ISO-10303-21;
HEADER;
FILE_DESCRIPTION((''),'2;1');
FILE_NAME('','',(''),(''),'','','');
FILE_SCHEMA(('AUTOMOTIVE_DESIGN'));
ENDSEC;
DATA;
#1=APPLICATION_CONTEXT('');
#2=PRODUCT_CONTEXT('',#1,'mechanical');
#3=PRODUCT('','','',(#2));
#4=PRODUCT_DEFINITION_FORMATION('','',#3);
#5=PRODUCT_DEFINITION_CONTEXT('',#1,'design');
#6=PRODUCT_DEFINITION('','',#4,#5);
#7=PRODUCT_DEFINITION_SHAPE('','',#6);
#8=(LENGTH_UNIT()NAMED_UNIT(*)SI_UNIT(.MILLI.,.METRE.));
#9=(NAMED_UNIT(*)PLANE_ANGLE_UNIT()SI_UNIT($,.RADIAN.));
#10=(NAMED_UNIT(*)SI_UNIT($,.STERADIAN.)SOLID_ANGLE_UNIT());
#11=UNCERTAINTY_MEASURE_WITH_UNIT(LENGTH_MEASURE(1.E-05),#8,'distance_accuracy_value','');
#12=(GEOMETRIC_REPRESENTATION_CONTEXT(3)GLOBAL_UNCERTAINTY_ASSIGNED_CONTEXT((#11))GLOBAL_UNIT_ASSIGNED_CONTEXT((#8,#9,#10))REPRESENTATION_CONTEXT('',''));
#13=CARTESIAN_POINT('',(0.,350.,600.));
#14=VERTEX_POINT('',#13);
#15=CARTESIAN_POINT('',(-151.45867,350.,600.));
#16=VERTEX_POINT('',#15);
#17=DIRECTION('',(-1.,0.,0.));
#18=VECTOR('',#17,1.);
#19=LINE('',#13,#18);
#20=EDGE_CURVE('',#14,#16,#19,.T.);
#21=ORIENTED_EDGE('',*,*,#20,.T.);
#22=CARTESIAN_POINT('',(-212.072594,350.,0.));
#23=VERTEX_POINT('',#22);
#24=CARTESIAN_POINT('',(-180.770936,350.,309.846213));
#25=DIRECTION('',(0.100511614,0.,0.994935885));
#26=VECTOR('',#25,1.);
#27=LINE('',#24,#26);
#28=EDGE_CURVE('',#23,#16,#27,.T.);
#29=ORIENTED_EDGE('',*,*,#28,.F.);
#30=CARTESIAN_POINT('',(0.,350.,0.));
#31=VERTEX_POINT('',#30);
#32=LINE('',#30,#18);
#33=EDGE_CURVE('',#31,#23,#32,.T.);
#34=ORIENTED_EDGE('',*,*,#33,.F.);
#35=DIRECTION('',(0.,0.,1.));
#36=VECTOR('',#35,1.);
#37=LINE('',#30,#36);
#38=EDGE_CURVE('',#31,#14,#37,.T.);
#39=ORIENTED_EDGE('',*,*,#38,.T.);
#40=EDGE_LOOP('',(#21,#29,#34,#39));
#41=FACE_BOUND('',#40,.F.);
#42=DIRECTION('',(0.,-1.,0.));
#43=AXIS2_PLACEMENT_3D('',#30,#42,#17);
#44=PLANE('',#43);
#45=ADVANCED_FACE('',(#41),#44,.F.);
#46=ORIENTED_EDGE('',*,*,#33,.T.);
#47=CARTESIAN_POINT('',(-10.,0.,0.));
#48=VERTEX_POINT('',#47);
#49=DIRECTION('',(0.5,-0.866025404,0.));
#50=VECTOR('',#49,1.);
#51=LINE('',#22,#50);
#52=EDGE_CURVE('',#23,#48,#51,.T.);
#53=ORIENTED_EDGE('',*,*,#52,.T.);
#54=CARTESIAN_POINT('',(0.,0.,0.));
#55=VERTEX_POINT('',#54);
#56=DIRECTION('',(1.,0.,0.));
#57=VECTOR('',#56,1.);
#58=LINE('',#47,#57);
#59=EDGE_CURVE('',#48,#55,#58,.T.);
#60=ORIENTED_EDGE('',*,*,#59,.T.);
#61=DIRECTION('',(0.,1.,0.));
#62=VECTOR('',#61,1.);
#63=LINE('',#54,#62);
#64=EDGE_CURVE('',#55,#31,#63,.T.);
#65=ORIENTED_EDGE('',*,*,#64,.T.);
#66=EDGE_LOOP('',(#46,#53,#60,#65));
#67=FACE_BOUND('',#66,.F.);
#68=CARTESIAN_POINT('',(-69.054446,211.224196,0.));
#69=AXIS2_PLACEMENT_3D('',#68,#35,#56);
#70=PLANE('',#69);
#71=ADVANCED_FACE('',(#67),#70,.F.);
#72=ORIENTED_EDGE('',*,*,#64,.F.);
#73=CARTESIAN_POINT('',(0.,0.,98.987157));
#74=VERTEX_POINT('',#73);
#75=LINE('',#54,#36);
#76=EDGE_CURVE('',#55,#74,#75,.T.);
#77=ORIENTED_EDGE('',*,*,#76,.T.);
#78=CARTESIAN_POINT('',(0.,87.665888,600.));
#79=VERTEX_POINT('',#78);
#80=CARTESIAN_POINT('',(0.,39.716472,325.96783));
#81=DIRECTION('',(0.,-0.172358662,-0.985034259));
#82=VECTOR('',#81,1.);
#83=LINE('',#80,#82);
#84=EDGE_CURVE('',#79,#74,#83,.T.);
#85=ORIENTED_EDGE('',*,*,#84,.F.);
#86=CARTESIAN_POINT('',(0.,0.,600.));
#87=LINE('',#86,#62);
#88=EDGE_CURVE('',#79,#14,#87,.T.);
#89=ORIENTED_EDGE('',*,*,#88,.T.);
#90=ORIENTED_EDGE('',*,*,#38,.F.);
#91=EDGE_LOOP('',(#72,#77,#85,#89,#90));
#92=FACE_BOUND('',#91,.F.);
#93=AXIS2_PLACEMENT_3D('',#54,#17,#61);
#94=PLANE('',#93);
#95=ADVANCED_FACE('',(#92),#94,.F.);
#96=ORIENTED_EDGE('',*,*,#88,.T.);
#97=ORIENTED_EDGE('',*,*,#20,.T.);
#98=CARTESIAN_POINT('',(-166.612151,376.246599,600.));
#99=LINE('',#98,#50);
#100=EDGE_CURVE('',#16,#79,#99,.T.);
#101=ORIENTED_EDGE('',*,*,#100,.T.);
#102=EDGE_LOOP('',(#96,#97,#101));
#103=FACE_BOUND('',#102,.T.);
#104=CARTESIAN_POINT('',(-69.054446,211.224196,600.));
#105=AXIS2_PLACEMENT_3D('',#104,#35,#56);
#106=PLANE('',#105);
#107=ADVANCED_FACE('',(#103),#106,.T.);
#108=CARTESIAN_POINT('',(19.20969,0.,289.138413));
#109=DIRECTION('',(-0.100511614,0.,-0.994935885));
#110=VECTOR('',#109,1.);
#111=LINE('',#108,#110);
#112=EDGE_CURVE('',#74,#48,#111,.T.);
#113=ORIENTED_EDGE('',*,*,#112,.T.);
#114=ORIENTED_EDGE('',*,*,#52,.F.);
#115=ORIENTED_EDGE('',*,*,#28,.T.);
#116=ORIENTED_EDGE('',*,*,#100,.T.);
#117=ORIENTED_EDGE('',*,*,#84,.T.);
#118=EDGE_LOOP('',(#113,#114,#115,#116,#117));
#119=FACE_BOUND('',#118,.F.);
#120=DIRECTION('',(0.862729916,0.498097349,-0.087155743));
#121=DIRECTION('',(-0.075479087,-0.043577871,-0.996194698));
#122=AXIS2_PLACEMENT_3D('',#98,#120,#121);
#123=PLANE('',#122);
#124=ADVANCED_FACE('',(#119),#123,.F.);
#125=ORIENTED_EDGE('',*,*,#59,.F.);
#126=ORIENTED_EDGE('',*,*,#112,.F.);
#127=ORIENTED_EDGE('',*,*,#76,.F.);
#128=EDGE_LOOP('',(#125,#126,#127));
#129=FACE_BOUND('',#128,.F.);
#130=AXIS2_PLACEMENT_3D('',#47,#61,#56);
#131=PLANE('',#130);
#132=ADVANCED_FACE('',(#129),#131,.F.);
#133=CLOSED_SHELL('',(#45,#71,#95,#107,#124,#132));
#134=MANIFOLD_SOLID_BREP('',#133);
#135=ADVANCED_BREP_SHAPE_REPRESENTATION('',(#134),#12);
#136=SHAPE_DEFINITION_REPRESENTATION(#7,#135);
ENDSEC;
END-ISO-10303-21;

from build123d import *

# Parameters (mm, degrees)
F1_DEPTH = 600
F4_DEPTH = 409.1461884327


with BuildPart() as f1:
    # F0 (on Top) → F1 (new body)
    with BuildSketch(Plane.XY):
        Polygon((-10, 0), (0, 0), (0, 350), (-212.0725942164, 350), align=None)
    extrude(amount=F1_DEPTH)

    # F3 (on face) → F4 (cut, through all)
    with BuildSketch(Plane(origin=(-204.5725942164, 354.3301270189, 0), x_dir=(-0.8660254038, -0.5, 0), z_dir=(-0.5, 0.8660254038, 0))):
        Polygon((8.6602540378, 600), (-43.8329440777, 600), (8.6602540378, 0), align=None)
    extrude(amount=-F4_DEPTH, mode=Mode.SUBTRACT)


solid = f1.part
